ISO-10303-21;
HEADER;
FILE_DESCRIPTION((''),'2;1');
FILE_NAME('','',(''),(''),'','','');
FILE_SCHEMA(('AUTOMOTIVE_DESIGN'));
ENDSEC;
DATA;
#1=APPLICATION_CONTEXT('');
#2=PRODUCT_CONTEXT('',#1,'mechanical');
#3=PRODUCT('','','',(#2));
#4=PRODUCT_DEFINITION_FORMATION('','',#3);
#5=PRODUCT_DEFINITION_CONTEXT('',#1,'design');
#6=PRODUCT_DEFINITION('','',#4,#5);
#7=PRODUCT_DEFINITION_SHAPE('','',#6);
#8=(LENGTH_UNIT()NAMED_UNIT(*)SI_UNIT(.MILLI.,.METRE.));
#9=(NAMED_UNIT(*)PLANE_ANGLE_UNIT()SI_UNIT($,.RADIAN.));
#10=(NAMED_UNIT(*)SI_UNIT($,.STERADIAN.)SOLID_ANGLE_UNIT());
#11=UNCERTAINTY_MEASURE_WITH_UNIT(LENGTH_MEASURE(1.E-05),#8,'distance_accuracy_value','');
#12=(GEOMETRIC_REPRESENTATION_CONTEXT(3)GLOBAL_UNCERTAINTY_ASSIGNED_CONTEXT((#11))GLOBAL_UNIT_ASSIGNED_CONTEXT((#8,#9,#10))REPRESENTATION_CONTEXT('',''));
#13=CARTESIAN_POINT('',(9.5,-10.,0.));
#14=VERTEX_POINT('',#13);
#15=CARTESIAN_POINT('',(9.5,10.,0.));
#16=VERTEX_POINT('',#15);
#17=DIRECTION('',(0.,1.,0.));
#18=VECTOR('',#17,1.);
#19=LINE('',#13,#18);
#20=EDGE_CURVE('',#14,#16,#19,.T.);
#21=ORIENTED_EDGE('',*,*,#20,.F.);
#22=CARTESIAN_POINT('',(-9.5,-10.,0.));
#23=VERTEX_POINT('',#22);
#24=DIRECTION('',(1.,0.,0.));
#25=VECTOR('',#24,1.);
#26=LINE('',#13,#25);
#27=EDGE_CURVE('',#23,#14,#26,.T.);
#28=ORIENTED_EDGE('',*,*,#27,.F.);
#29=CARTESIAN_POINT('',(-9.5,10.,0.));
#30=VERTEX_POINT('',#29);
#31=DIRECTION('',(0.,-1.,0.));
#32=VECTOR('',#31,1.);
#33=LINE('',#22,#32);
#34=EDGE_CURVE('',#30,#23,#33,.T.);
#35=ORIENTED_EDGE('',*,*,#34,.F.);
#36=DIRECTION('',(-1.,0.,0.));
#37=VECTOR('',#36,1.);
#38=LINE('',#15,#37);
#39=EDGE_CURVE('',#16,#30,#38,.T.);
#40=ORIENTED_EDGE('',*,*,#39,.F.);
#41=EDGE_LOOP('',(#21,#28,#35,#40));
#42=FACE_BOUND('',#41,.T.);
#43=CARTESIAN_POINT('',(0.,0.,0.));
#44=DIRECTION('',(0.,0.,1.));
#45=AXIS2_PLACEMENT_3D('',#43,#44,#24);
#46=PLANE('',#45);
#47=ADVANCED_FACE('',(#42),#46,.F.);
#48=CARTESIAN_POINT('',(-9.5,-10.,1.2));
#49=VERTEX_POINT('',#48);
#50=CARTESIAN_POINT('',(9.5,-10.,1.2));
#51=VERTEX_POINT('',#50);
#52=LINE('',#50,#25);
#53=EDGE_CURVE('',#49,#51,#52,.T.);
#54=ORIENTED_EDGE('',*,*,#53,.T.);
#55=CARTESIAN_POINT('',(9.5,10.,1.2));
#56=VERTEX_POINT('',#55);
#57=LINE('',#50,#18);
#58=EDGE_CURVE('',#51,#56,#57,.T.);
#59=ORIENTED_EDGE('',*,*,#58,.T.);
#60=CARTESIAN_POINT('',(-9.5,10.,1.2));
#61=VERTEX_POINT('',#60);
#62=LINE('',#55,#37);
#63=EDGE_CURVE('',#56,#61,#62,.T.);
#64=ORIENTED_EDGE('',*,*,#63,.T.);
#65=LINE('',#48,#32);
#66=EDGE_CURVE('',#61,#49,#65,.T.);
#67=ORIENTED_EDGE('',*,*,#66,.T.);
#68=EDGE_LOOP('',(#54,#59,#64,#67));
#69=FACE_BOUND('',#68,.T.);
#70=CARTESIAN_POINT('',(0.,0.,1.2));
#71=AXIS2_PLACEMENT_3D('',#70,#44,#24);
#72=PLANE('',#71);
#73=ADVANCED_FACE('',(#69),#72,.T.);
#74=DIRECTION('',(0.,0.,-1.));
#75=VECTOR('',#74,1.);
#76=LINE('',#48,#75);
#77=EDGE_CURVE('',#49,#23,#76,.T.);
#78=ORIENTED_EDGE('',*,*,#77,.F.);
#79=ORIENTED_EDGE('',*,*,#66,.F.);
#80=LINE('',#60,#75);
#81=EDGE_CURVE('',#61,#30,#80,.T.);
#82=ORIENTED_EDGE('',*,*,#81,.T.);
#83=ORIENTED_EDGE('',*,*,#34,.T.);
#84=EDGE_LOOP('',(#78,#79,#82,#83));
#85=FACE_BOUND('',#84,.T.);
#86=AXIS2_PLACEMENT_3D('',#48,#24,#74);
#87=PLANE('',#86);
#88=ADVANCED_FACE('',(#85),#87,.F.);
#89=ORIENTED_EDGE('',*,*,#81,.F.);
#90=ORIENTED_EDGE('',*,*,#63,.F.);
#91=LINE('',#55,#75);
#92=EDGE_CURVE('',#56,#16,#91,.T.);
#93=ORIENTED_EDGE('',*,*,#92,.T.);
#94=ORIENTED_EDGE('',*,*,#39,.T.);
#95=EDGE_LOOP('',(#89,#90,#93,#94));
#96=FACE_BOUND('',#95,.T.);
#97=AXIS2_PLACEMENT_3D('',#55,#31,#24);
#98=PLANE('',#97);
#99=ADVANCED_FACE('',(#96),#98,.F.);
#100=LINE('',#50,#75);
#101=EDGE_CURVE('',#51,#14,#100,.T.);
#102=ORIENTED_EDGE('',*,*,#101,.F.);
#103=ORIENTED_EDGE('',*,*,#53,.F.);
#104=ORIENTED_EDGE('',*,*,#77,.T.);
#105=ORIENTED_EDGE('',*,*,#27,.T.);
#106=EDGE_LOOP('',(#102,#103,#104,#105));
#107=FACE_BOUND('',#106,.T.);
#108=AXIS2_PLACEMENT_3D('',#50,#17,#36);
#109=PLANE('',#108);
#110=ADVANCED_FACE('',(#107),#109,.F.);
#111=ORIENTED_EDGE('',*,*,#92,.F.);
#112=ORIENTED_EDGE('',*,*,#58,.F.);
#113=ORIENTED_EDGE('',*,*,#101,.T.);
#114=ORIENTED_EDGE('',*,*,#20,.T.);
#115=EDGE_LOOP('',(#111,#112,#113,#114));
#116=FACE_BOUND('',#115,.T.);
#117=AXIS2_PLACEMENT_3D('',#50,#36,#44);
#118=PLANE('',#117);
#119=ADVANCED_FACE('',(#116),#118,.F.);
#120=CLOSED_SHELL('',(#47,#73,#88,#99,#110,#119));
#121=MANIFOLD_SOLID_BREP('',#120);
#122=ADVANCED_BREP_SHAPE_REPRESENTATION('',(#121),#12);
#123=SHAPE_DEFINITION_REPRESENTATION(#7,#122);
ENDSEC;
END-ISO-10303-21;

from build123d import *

# Parameters (mm, degrees)
SKETCH_1_W      = 19
SKETCH_1_H      = 20
EXTRUDE_1_DEPTH = 1.2


with BuildPart() as part:
    # ｽｹｯﾁ1 → ﾎﾞｽ - 押し出し1 (new body)
    with BuildSketch(Plane.XY):
        Rectangle(SKETCH_1_W, SKETCH_1_H)
    extrude(amount=EXTRUDE_1_DEPTH)


solid = part.part
